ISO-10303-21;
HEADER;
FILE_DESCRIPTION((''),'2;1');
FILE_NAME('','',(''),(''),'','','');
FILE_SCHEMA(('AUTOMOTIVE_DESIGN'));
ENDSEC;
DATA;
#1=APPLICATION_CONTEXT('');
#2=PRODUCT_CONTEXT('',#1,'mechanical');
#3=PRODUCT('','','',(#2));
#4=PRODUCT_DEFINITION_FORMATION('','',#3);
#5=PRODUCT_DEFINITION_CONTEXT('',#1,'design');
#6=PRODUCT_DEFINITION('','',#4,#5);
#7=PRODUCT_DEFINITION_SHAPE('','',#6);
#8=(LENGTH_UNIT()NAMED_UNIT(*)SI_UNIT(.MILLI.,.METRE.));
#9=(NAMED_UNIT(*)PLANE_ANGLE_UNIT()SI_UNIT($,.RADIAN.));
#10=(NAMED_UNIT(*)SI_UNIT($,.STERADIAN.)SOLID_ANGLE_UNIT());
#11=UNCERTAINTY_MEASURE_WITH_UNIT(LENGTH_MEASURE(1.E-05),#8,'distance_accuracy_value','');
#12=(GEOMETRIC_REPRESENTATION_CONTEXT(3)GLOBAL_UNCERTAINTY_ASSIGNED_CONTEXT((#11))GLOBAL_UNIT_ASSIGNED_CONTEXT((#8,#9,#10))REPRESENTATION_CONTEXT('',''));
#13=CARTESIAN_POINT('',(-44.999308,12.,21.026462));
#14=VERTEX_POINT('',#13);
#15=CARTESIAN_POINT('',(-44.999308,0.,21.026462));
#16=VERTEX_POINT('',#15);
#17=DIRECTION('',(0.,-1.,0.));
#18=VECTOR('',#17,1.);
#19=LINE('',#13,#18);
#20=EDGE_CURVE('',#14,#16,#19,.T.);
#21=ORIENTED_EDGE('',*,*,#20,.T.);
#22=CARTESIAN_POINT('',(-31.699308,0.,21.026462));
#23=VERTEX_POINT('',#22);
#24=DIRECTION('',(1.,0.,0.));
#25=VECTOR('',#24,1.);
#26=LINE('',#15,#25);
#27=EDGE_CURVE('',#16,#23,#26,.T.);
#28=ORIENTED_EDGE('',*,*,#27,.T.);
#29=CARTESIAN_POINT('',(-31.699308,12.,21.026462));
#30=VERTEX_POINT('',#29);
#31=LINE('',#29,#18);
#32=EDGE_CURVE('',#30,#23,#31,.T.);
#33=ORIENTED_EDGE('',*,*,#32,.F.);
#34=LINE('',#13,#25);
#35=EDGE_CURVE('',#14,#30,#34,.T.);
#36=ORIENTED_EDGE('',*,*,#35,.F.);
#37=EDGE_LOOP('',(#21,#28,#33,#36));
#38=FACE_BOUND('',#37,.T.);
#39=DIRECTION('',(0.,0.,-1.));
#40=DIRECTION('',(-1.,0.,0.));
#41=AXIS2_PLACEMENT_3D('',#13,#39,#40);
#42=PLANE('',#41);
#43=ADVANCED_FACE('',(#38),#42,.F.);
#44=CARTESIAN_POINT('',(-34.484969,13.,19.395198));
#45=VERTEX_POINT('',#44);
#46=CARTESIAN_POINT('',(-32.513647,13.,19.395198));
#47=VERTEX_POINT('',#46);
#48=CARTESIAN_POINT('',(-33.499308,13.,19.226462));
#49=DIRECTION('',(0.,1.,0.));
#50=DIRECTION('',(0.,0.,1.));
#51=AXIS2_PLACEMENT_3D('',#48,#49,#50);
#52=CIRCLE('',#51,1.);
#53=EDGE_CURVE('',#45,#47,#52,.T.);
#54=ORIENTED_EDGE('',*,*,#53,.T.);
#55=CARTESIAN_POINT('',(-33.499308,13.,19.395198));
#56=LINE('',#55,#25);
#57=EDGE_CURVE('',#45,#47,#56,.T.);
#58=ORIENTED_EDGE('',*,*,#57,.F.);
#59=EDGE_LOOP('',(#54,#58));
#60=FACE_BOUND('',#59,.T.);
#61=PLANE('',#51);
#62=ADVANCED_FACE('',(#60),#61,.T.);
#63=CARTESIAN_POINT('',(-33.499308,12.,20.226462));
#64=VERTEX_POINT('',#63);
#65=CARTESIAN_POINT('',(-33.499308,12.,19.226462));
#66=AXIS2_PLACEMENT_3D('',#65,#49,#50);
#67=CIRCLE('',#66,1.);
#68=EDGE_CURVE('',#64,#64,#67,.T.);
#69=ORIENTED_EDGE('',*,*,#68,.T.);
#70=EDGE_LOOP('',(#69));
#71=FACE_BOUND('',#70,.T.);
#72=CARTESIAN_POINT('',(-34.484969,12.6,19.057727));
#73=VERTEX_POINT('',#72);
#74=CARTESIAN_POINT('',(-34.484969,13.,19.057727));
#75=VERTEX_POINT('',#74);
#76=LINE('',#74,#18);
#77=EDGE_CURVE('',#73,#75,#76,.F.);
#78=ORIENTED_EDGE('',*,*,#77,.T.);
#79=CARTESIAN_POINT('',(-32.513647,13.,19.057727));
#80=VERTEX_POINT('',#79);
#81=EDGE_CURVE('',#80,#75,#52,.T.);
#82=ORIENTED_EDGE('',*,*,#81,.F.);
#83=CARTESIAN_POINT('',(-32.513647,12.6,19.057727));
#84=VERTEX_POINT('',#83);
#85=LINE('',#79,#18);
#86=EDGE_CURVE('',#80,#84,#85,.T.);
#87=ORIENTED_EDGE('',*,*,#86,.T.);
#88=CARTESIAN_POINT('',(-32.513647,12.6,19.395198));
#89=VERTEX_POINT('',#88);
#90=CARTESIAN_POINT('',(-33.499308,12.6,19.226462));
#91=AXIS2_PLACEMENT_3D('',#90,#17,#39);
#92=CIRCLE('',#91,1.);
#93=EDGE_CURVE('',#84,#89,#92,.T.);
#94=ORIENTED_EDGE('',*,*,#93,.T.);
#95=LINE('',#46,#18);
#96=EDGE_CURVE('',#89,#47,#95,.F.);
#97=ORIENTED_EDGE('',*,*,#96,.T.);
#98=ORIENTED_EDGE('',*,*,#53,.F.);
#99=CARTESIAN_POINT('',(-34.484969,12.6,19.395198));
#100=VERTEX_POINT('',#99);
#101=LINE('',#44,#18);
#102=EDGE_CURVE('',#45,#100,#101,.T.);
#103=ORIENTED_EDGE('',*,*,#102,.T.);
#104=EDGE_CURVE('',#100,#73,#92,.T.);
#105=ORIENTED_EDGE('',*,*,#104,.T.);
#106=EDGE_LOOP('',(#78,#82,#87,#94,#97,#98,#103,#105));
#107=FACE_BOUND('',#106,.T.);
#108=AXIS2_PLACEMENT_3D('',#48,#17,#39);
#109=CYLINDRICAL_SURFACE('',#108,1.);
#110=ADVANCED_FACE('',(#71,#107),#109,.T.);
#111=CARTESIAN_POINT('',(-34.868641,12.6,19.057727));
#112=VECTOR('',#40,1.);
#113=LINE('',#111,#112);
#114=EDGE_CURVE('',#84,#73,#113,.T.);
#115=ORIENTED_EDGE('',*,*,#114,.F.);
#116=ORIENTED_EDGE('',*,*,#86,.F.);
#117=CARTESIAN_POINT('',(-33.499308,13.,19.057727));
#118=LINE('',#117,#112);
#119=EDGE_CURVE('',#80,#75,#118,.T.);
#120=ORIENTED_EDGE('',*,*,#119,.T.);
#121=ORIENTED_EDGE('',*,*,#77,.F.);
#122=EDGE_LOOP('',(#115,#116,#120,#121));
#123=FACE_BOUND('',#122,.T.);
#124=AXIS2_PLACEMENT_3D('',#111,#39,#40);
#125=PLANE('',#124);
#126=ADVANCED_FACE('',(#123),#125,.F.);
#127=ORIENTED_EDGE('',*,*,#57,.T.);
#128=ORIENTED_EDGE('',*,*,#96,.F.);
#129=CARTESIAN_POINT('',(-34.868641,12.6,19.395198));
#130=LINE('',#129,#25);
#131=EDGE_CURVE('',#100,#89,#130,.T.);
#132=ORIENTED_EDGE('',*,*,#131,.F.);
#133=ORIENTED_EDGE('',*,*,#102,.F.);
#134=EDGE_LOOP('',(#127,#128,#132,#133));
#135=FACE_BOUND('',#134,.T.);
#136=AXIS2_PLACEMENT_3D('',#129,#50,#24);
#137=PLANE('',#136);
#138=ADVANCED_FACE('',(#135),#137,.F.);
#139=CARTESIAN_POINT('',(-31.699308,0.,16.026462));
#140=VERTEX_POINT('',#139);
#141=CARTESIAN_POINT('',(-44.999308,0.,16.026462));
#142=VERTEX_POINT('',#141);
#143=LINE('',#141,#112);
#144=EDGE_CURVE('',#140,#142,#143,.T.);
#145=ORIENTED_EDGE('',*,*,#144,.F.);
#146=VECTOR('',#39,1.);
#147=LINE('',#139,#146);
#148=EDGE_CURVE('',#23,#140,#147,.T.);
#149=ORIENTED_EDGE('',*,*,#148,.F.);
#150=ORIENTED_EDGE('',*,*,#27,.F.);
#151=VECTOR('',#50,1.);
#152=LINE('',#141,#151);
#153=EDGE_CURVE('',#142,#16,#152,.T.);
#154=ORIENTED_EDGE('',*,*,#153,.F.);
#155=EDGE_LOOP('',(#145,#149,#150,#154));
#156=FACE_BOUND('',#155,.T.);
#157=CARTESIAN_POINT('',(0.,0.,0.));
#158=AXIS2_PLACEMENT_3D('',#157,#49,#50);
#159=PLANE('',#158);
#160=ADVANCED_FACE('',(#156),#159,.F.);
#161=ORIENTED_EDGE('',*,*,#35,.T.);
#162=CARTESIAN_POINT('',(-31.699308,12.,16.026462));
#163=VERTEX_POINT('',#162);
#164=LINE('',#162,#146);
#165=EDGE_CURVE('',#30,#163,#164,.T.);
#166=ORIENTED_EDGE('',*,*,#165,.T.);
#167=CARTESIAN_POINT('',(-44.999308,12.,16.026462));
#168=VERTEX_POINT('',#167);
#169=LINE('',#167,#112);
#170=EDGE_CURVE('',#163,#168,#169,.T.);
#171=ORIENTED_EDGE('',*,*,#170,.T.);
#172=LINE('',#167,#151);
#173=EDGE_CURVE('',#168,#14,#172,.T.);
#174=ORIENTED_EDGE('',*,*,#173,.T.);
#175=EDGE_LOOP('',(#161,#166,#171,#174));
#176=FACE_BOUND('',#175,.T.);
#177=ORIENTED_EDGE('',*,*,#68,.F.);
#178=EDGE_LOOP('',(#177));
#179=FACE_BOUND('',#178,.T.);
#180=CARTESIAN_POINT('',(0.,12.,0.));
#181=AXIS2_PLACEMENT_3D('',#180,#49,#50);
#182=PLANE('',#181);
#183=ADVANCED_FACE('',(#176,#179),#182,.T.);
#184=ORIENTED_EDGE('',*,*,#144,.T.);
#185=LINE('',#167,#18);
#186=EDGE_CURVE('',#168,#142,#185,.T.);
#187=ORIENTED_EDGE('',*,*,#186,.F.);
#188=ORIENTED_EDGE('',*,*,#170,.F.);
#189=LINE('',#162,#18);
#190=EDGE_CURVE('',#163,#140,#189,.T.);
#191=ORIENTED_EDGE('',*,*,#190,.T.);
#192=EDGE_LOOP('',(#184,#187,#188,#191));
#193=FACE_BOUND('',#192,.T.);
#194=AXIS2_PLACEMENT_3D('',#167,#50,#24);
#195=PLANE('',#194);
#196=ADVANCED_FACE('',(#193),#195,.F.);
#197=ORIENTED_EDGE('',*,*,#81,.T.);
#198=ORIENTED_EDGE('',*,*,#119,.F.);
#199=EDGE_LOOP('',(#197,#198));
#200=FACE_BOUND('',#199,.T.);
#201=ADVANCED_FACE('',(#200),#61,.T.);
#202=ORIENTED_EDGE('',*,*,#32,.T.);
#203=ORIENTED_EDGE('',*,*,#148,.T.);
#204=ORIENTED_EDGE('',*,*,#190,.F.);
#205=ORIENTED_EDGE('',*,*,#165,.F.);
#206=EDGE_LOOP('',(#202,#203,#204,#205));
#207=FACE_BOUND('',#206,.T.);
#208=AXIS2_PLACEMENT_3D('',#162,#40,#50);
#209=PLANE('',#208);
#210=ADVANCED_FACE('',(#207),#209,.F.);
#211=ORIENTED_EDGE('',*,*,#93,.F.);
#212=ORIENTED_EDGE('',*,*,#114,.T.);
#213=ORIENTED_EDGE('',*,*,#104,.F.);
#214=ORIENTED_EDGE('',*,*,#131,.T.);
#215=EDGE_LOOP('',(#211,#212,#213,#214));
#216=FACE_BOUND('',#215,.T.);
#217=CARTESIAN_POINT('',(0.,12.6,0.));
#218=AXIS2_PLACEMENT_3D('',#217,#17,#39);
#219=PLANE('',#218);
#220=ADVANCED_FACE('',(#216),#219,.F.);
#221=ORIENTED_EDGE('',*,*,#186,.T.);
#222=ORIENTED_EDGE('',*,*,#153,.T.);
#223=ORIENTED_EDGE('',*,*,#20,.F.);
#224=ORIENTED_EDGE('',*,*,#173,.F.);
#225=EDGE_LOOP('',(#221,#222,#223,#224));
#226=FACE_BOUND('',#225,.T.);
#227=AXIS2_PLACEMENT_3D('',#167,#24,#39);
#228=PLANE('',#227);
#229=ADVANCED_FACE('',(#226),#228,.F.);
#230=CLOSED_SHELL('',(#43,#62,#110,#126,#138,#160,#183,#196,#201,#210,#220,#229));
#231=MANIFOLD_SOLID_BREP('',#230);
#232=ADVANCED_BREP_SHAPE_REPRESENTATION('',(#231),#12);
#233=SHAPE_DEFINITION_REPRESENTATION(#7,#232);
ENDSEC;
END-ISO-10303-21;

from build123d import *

# Parameters (mm, degrees)
SKETCH_1_W          = 13.3
SKETCH_1_H          = 5
EXTRUDE_1_DEPTH     = 12
SKETCH_2_R          = 1
EXTRUDE_2_DEPTH     = 1
SKETCH_3_W          = 2.738665781
SKETCH_3_H          = 0.337471602
CUT_EXTRUDE_1_DEPTH = 0.4


with BuildPart() as part:
    # Эскиз1 → Бобышка-Вытянуть1 (new body)
    with BuildSketch(Plane(origin=(0, 0, 0), x_dir=(1, 0, 0), z_dir=(0, 1, 0))):
        with Locations((-38.349307958, -18.52646235)):
            Rectangle(SKETCH_1_W, SKETCH_1_H)
    extrude(amount=EXTRUDE_1_DEPTH)

    # Эскиз2 → Бобышка-Вытянуть2 (add)
    with BuildSketch(Plane(origin=(0, 12, 0), x_dir=(1, 0, 0), z_dir=(0, 1, 0))):
        with Locations((-33.499307958, -19.22646235)):
            Circle(SKETCH_2_R)
    extrude(amount=EXTRUDE_2_DEPTH)

    # Эскиз3 → Вырез-Вытянуть1 (cut)
    with BuildSketch(Plane(origin=(0, 13, 0), x_dir=(1, 0, 0), z_dir=(0, 1, 0))):
        with Locations((-33.499307958, -19.22646235)):
            Rectangle(SKETCH_3_W, SKETCH_3_H)
    extrude(amount=-CUT_EXTRUDE_1_DEPTH, mode=Mode.SUBTRACT)


solid = part.part
